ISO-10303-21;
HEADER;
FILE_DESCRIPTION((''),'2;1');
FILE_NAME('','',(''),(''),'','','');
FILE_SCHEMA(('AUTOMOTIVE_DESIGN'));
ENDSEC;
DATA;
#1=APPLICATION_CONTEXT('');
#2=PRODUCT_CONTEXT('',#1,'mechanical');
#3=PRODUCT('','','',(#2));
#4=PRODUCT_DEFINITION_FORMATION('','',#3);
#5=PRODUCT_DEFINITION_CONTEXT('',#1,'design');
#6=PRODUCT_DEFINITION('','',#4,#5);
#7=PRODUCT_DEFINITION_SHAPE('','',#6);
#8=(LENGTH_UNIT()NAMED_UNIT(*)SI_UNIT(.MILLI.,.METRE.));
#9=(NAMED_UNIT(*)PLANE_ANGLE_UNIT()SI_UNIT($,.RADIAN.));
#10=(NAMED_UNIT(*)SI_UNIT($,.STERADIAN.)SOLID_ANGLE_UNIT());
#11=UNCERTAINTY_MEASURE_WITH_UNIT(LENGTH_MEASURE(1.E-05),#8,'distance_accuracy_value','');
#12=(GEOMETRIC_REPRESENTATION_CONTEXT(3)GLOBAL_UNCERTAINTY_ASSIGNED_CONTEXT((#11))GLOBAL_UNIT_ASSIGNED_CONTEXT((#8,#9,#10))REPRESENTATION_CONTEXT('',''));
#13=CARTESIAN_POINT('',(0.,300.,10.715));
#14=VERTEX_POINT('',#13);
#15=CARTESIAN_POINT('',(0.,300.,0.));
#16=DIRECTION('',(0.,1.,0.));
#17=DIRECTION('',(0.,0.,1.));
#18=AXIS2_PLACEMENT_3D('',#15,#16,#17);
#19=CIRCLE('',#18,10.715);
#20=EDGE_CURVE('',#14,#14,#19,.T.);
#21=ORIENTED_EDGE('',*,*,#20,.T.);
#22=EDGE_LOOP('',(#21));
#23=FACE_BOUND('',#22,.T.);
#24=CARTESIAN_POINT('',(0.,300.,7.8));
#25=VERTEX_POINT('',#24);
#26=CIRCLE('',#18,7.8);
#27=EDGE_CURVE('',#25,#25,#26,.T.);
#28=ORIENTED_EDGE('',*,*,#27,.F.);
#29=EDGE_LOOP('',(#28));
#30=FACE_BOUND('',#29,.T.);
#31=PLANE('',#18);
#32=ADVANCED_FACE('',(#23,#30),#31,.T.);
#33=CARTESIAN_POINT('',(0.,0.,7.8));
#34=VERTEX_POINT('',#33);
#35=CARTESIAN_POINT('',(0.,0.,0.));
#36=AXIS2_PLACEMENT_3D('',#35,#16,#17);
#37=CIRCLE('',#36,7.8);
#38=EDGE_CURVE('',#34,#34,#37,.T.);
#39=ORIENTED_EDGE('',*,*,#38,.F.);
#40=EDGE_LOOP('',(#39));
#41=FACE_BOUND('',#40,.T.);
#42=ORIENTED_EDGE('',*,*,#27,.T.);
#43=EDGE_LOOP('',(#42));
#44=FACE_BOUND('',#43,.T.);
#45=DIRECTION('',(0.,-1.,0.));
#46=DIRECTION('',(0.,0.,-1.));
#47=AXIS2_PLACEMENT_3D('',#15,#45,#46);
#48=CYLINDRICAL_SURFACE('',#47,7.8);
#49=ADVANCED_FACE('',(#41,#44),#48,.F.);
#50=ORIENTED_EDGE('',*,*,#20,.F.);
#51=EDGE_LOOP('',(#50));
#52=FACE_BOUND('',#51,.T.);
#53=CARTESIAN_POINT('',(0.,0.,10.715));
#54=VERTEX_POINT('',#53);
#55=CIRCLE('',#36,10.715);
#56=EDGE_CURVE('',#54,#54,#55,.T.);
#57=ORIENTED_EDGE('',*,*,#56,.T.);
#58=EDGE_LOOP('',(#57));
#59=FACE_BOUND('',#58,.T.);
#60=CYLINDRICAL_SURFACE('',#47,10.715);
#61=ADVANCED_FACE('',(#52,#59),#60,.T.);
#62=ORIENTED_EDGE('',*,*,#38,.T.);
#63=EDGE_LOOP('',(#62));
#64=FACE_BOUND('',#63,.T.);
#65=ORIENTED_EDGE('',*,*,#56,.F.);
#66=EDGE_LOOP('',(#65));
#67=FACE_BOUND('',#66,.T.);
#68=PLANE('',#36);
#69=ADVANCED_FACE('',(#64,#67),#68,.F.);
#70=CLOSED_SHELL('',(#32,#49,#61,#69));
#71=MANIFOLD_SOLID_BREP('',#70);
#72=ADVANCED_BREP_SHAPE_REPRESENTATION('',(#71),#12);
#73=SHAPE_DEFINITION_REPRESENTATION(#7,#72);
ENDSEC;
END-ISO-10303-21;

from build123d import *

# Parameters (mm, degrees)
SKETCH1_R           = 10.715
SKETCH1_R_2         = 7.8
BOSS_EXTRUDE1_DEPTH = 300


with BuildPart() as part:
    # Sketch1 → Boss-Extrude1 (new body)
    with BuildSketch(Plane(origin=(0, 0, 0), x_dir=(1, 0, 0), z_dir=(0, 1, 0))):
        with Locations(Location((0, 0, 0), (0, 0, 270))):  # turned: the seam where the file's is
            Circle(SKETCH1_R)
        with Locations(Location((0, 0, 0), (0, 0, 270))):  # turned: the seam where the file's is
            Circle(SKETCH1_R_2, mode=Mode.SUBTRACT)
    extrude(amount=BOSS_EXTRUDE1_DEPTH)


solid = part.part
